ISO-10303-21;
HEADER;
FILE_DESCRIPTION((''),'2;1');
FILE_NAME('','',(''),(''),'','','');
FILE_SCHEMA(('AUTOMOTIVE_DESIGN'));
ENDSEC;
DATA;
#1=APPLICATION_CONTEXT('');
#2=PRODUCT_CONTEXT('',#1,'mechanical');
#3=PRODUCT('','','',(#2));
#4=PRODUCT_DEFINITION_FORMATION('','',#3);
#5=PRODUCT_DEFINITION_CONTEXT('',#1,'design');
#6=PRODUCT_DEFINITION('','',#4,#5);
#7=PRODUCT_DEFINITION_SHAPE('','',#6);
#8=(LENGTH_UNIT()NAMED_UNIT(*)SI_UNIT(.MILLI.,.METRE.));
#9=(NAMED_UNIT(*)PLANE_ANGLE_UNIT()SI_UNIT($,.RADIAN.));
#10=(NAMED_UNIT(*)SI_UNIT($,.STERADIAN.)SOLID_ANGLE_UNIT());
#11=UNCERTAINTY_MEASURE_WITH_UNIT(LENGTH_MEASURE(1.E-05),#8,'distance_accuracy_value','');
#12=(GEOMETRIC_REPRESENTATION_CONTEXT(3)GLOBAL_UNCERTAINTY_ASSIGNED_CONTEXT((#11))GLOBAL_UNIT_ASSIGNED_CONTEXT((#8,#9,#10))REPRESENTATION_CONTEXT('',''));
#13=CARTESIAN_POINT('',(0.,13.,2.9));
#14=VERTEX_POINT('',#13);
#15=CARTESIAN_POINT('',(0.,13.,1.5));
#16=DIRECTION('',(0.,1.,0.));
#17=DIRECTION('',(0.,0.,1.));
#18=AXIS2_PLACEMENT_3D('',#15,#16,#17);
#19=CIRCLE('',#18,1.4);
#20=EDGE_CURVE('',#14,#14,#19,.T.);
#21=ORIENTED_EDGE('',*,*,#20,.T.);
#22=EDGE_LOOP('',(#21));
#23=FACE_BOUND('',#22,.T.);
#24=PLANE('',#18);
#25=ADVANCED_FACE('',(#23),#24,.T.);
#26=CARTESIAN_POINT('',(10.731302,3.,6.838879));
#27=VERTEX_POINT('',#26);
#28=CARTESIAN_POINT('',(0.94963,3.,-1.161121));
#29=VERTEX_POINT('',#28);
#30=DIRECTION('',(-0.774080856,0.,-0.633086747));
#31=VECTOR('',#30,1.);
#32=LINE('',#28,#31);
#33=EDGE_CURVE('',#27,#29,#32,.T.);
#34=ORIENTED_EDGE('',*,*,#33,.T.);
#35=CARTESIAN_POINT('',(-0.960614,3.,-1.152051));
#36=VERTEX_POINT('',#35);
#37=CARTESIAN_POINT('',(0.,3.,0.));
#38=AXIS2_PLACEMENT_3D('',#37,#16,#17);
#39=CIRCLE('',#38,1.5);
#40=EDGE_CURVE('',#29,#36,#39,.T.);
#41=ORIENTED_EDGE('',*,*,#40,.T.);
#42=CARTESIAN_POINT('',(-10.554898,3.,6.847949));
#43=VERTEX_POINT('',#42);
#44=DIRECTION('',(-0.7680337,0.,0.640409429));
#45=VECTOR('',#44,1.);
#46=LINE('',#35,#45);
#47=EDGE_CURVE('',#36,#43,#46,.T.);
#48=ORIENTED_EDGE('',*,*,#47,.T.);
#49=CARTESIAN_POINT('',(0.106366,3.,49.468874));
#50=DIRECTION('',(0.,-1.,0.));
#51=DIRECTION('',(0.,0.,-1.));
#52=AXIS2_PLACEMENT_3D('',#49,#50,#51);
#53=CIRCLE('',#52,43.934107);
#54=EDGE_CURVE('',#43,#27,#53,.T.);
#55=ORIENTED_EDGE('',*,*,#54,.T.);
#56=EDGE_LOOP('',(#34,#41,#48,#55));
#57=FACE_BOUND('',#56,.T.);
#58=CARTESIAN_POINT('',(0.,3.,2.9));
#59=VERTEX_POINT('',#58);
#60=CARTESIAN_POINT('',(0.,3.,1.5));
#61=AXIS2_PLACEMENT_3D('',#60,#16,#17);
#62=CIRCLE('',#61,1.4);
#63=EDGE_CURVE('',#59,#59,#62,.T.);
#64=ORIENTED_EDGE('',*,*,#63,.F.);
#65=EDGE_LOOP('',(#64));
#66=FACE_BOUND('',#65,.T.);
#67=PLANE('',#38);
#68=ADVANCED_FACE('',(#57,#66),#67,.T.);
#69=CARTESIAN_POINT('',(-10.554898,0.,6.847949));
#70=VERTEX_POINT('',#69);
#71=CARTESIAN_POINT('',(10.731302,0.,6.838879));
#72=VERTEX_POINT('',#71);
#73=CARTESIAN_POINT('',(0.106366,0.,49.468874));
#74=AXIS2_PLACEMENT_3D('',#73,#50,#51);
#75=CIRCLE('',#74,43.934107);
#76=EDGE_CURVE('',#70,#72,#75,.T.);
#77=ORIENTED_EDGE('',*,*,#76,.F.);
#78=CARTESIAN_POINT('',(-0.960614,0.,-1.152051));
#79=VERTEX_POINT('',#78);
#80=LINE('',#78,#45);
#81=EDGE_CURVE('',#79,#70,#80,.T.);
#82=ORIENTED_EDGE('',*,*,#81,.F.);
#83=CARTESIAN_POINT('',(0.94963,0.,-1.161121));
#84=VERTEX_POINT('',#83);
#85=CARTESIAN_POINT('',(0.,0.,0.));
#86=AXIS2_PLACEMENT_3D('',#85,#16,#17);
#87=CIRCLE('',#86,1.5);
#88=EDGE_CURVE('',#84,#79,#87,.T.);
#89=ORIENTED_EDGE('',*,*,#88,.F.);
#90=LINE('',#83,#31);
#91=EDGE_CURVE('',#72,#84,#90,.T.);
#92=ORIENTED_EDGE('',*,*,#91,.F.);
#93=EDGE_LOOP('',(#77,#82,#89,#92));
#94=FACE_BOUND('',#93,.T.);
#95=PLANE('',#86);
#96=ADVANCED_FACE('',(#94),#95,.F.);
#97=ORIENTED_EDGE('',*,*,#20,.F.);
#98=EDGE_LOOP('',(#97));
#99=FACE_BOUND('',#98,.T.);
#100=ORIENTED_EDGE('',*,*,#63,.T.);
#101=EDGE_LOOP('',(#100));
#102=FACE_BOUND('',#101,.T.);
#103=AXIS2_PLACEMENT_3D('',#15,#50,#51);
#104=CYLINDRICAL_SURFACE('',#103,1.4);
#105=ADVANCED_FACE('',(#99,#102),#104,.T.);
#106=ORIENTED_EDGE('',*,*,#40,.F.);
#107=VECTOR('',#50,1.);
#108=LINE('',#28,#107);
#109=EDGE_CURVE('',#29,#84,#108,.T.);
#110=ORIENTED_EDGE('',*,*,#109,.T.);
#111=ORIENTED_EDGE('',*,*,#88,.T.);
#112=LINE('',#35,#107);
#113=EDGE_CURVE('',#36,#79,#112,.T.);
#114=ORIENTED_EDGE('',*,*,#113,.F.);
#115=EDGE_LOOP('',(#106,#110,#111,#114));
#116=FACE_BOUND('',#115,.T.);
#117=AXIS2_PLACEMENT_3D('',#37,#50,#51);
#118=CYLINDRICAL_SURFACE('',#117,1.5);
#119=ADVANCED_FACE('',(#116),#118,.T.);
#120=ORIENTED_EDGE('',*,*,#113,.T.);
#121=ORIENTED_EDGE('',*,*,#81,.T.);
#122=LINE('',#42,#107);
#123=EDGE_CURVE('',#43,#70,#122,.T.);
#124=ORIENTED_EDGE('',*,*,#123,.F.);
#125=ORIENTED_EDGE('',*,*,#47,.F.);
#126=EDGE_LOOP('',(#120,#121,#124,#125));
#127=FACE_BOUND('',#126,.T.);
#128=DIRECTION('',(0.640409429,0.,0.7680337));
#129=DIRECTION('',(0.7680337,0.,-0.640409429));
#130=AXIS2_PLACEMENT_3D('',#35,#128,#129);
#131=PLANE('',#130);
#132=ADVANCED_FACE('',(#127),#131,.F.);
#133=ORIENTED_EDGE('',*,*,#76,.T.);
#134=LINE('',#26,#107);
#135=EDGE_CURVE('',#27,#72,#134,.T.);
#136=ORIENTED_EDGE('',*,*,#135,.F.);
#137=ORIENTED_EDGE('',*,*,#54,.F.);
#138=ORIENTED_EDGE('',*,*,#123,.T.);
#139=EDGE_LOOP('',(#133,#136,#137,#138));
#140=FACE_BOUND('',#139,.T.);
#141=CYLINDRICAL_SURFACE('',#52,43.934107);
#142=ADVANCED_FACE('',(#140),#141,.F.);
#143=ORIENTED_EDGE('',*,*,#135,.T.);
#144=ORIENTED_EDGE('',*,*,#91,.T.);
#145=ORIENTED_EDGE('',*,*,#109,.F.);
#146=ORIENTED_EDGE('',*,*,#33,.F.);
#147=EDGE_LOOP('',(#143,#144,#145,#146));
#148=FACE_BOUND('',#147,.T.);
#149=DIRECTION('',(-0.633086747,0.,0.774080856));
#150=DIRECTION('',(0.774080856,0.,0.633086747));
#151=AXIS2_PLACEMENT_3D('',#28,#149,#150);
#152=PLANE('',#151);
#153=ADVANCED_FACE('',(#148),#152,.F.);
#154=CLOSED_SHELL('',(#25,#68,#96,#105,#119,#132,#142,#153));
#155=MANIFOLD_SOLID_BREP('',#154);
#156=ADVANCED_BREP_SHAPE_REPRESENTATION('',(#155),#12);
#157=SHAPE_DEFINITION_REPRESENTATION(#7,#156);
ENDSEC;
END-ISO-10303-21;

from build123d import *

# Parameters (mm, degrees)
BOSS_EXTRUDE1_DEPTH = 3
SKETCH2_R           = 1.4
BOSS_EXTRUDE2_DEPTH = 10


with BuildPart() as part:
    # Sketch1 → Boss-Extrude1 (new body)
    with BuildSketch(Plane(origin=(0, 0, 0), x_dir=(1, 0, 0), z_dir=(0, 1, 0))):
        with BuildLine():
            Line((-0.960614143, 1.152050549), (-10.554897615, -6.847949451))
            ThreePointArc((-10.554897615, -6.847949451), (0.08764455, -5.53477098), (10.731302024, -6.838878717))
            Line((10.731302024, -6.838878717), (0.94963012, 1.161121283))
            ThreePointArc((0.94963012, 1.161121283), (-0.007122622, 1.499983089), (-0.960614143, 1.152050549))
        make_face()
    extrude(amount=BOSS_EXTRUDE1_DEPTH)

    # Sketch2 → Boss-Extrude2 (add)
    with BuildSketch(Plane(origin=(0, 3, 0), x_dir=(1, 0, 0), z_dir=(0, 1, 0))):
        with Locations(Location((0, -1.5, 0), (0, 0, 270))):
            Circle(SKETCH2_R)
    extrude(amount=BOSS_EXTRUDE2_DEPTH)


solid = part.part
